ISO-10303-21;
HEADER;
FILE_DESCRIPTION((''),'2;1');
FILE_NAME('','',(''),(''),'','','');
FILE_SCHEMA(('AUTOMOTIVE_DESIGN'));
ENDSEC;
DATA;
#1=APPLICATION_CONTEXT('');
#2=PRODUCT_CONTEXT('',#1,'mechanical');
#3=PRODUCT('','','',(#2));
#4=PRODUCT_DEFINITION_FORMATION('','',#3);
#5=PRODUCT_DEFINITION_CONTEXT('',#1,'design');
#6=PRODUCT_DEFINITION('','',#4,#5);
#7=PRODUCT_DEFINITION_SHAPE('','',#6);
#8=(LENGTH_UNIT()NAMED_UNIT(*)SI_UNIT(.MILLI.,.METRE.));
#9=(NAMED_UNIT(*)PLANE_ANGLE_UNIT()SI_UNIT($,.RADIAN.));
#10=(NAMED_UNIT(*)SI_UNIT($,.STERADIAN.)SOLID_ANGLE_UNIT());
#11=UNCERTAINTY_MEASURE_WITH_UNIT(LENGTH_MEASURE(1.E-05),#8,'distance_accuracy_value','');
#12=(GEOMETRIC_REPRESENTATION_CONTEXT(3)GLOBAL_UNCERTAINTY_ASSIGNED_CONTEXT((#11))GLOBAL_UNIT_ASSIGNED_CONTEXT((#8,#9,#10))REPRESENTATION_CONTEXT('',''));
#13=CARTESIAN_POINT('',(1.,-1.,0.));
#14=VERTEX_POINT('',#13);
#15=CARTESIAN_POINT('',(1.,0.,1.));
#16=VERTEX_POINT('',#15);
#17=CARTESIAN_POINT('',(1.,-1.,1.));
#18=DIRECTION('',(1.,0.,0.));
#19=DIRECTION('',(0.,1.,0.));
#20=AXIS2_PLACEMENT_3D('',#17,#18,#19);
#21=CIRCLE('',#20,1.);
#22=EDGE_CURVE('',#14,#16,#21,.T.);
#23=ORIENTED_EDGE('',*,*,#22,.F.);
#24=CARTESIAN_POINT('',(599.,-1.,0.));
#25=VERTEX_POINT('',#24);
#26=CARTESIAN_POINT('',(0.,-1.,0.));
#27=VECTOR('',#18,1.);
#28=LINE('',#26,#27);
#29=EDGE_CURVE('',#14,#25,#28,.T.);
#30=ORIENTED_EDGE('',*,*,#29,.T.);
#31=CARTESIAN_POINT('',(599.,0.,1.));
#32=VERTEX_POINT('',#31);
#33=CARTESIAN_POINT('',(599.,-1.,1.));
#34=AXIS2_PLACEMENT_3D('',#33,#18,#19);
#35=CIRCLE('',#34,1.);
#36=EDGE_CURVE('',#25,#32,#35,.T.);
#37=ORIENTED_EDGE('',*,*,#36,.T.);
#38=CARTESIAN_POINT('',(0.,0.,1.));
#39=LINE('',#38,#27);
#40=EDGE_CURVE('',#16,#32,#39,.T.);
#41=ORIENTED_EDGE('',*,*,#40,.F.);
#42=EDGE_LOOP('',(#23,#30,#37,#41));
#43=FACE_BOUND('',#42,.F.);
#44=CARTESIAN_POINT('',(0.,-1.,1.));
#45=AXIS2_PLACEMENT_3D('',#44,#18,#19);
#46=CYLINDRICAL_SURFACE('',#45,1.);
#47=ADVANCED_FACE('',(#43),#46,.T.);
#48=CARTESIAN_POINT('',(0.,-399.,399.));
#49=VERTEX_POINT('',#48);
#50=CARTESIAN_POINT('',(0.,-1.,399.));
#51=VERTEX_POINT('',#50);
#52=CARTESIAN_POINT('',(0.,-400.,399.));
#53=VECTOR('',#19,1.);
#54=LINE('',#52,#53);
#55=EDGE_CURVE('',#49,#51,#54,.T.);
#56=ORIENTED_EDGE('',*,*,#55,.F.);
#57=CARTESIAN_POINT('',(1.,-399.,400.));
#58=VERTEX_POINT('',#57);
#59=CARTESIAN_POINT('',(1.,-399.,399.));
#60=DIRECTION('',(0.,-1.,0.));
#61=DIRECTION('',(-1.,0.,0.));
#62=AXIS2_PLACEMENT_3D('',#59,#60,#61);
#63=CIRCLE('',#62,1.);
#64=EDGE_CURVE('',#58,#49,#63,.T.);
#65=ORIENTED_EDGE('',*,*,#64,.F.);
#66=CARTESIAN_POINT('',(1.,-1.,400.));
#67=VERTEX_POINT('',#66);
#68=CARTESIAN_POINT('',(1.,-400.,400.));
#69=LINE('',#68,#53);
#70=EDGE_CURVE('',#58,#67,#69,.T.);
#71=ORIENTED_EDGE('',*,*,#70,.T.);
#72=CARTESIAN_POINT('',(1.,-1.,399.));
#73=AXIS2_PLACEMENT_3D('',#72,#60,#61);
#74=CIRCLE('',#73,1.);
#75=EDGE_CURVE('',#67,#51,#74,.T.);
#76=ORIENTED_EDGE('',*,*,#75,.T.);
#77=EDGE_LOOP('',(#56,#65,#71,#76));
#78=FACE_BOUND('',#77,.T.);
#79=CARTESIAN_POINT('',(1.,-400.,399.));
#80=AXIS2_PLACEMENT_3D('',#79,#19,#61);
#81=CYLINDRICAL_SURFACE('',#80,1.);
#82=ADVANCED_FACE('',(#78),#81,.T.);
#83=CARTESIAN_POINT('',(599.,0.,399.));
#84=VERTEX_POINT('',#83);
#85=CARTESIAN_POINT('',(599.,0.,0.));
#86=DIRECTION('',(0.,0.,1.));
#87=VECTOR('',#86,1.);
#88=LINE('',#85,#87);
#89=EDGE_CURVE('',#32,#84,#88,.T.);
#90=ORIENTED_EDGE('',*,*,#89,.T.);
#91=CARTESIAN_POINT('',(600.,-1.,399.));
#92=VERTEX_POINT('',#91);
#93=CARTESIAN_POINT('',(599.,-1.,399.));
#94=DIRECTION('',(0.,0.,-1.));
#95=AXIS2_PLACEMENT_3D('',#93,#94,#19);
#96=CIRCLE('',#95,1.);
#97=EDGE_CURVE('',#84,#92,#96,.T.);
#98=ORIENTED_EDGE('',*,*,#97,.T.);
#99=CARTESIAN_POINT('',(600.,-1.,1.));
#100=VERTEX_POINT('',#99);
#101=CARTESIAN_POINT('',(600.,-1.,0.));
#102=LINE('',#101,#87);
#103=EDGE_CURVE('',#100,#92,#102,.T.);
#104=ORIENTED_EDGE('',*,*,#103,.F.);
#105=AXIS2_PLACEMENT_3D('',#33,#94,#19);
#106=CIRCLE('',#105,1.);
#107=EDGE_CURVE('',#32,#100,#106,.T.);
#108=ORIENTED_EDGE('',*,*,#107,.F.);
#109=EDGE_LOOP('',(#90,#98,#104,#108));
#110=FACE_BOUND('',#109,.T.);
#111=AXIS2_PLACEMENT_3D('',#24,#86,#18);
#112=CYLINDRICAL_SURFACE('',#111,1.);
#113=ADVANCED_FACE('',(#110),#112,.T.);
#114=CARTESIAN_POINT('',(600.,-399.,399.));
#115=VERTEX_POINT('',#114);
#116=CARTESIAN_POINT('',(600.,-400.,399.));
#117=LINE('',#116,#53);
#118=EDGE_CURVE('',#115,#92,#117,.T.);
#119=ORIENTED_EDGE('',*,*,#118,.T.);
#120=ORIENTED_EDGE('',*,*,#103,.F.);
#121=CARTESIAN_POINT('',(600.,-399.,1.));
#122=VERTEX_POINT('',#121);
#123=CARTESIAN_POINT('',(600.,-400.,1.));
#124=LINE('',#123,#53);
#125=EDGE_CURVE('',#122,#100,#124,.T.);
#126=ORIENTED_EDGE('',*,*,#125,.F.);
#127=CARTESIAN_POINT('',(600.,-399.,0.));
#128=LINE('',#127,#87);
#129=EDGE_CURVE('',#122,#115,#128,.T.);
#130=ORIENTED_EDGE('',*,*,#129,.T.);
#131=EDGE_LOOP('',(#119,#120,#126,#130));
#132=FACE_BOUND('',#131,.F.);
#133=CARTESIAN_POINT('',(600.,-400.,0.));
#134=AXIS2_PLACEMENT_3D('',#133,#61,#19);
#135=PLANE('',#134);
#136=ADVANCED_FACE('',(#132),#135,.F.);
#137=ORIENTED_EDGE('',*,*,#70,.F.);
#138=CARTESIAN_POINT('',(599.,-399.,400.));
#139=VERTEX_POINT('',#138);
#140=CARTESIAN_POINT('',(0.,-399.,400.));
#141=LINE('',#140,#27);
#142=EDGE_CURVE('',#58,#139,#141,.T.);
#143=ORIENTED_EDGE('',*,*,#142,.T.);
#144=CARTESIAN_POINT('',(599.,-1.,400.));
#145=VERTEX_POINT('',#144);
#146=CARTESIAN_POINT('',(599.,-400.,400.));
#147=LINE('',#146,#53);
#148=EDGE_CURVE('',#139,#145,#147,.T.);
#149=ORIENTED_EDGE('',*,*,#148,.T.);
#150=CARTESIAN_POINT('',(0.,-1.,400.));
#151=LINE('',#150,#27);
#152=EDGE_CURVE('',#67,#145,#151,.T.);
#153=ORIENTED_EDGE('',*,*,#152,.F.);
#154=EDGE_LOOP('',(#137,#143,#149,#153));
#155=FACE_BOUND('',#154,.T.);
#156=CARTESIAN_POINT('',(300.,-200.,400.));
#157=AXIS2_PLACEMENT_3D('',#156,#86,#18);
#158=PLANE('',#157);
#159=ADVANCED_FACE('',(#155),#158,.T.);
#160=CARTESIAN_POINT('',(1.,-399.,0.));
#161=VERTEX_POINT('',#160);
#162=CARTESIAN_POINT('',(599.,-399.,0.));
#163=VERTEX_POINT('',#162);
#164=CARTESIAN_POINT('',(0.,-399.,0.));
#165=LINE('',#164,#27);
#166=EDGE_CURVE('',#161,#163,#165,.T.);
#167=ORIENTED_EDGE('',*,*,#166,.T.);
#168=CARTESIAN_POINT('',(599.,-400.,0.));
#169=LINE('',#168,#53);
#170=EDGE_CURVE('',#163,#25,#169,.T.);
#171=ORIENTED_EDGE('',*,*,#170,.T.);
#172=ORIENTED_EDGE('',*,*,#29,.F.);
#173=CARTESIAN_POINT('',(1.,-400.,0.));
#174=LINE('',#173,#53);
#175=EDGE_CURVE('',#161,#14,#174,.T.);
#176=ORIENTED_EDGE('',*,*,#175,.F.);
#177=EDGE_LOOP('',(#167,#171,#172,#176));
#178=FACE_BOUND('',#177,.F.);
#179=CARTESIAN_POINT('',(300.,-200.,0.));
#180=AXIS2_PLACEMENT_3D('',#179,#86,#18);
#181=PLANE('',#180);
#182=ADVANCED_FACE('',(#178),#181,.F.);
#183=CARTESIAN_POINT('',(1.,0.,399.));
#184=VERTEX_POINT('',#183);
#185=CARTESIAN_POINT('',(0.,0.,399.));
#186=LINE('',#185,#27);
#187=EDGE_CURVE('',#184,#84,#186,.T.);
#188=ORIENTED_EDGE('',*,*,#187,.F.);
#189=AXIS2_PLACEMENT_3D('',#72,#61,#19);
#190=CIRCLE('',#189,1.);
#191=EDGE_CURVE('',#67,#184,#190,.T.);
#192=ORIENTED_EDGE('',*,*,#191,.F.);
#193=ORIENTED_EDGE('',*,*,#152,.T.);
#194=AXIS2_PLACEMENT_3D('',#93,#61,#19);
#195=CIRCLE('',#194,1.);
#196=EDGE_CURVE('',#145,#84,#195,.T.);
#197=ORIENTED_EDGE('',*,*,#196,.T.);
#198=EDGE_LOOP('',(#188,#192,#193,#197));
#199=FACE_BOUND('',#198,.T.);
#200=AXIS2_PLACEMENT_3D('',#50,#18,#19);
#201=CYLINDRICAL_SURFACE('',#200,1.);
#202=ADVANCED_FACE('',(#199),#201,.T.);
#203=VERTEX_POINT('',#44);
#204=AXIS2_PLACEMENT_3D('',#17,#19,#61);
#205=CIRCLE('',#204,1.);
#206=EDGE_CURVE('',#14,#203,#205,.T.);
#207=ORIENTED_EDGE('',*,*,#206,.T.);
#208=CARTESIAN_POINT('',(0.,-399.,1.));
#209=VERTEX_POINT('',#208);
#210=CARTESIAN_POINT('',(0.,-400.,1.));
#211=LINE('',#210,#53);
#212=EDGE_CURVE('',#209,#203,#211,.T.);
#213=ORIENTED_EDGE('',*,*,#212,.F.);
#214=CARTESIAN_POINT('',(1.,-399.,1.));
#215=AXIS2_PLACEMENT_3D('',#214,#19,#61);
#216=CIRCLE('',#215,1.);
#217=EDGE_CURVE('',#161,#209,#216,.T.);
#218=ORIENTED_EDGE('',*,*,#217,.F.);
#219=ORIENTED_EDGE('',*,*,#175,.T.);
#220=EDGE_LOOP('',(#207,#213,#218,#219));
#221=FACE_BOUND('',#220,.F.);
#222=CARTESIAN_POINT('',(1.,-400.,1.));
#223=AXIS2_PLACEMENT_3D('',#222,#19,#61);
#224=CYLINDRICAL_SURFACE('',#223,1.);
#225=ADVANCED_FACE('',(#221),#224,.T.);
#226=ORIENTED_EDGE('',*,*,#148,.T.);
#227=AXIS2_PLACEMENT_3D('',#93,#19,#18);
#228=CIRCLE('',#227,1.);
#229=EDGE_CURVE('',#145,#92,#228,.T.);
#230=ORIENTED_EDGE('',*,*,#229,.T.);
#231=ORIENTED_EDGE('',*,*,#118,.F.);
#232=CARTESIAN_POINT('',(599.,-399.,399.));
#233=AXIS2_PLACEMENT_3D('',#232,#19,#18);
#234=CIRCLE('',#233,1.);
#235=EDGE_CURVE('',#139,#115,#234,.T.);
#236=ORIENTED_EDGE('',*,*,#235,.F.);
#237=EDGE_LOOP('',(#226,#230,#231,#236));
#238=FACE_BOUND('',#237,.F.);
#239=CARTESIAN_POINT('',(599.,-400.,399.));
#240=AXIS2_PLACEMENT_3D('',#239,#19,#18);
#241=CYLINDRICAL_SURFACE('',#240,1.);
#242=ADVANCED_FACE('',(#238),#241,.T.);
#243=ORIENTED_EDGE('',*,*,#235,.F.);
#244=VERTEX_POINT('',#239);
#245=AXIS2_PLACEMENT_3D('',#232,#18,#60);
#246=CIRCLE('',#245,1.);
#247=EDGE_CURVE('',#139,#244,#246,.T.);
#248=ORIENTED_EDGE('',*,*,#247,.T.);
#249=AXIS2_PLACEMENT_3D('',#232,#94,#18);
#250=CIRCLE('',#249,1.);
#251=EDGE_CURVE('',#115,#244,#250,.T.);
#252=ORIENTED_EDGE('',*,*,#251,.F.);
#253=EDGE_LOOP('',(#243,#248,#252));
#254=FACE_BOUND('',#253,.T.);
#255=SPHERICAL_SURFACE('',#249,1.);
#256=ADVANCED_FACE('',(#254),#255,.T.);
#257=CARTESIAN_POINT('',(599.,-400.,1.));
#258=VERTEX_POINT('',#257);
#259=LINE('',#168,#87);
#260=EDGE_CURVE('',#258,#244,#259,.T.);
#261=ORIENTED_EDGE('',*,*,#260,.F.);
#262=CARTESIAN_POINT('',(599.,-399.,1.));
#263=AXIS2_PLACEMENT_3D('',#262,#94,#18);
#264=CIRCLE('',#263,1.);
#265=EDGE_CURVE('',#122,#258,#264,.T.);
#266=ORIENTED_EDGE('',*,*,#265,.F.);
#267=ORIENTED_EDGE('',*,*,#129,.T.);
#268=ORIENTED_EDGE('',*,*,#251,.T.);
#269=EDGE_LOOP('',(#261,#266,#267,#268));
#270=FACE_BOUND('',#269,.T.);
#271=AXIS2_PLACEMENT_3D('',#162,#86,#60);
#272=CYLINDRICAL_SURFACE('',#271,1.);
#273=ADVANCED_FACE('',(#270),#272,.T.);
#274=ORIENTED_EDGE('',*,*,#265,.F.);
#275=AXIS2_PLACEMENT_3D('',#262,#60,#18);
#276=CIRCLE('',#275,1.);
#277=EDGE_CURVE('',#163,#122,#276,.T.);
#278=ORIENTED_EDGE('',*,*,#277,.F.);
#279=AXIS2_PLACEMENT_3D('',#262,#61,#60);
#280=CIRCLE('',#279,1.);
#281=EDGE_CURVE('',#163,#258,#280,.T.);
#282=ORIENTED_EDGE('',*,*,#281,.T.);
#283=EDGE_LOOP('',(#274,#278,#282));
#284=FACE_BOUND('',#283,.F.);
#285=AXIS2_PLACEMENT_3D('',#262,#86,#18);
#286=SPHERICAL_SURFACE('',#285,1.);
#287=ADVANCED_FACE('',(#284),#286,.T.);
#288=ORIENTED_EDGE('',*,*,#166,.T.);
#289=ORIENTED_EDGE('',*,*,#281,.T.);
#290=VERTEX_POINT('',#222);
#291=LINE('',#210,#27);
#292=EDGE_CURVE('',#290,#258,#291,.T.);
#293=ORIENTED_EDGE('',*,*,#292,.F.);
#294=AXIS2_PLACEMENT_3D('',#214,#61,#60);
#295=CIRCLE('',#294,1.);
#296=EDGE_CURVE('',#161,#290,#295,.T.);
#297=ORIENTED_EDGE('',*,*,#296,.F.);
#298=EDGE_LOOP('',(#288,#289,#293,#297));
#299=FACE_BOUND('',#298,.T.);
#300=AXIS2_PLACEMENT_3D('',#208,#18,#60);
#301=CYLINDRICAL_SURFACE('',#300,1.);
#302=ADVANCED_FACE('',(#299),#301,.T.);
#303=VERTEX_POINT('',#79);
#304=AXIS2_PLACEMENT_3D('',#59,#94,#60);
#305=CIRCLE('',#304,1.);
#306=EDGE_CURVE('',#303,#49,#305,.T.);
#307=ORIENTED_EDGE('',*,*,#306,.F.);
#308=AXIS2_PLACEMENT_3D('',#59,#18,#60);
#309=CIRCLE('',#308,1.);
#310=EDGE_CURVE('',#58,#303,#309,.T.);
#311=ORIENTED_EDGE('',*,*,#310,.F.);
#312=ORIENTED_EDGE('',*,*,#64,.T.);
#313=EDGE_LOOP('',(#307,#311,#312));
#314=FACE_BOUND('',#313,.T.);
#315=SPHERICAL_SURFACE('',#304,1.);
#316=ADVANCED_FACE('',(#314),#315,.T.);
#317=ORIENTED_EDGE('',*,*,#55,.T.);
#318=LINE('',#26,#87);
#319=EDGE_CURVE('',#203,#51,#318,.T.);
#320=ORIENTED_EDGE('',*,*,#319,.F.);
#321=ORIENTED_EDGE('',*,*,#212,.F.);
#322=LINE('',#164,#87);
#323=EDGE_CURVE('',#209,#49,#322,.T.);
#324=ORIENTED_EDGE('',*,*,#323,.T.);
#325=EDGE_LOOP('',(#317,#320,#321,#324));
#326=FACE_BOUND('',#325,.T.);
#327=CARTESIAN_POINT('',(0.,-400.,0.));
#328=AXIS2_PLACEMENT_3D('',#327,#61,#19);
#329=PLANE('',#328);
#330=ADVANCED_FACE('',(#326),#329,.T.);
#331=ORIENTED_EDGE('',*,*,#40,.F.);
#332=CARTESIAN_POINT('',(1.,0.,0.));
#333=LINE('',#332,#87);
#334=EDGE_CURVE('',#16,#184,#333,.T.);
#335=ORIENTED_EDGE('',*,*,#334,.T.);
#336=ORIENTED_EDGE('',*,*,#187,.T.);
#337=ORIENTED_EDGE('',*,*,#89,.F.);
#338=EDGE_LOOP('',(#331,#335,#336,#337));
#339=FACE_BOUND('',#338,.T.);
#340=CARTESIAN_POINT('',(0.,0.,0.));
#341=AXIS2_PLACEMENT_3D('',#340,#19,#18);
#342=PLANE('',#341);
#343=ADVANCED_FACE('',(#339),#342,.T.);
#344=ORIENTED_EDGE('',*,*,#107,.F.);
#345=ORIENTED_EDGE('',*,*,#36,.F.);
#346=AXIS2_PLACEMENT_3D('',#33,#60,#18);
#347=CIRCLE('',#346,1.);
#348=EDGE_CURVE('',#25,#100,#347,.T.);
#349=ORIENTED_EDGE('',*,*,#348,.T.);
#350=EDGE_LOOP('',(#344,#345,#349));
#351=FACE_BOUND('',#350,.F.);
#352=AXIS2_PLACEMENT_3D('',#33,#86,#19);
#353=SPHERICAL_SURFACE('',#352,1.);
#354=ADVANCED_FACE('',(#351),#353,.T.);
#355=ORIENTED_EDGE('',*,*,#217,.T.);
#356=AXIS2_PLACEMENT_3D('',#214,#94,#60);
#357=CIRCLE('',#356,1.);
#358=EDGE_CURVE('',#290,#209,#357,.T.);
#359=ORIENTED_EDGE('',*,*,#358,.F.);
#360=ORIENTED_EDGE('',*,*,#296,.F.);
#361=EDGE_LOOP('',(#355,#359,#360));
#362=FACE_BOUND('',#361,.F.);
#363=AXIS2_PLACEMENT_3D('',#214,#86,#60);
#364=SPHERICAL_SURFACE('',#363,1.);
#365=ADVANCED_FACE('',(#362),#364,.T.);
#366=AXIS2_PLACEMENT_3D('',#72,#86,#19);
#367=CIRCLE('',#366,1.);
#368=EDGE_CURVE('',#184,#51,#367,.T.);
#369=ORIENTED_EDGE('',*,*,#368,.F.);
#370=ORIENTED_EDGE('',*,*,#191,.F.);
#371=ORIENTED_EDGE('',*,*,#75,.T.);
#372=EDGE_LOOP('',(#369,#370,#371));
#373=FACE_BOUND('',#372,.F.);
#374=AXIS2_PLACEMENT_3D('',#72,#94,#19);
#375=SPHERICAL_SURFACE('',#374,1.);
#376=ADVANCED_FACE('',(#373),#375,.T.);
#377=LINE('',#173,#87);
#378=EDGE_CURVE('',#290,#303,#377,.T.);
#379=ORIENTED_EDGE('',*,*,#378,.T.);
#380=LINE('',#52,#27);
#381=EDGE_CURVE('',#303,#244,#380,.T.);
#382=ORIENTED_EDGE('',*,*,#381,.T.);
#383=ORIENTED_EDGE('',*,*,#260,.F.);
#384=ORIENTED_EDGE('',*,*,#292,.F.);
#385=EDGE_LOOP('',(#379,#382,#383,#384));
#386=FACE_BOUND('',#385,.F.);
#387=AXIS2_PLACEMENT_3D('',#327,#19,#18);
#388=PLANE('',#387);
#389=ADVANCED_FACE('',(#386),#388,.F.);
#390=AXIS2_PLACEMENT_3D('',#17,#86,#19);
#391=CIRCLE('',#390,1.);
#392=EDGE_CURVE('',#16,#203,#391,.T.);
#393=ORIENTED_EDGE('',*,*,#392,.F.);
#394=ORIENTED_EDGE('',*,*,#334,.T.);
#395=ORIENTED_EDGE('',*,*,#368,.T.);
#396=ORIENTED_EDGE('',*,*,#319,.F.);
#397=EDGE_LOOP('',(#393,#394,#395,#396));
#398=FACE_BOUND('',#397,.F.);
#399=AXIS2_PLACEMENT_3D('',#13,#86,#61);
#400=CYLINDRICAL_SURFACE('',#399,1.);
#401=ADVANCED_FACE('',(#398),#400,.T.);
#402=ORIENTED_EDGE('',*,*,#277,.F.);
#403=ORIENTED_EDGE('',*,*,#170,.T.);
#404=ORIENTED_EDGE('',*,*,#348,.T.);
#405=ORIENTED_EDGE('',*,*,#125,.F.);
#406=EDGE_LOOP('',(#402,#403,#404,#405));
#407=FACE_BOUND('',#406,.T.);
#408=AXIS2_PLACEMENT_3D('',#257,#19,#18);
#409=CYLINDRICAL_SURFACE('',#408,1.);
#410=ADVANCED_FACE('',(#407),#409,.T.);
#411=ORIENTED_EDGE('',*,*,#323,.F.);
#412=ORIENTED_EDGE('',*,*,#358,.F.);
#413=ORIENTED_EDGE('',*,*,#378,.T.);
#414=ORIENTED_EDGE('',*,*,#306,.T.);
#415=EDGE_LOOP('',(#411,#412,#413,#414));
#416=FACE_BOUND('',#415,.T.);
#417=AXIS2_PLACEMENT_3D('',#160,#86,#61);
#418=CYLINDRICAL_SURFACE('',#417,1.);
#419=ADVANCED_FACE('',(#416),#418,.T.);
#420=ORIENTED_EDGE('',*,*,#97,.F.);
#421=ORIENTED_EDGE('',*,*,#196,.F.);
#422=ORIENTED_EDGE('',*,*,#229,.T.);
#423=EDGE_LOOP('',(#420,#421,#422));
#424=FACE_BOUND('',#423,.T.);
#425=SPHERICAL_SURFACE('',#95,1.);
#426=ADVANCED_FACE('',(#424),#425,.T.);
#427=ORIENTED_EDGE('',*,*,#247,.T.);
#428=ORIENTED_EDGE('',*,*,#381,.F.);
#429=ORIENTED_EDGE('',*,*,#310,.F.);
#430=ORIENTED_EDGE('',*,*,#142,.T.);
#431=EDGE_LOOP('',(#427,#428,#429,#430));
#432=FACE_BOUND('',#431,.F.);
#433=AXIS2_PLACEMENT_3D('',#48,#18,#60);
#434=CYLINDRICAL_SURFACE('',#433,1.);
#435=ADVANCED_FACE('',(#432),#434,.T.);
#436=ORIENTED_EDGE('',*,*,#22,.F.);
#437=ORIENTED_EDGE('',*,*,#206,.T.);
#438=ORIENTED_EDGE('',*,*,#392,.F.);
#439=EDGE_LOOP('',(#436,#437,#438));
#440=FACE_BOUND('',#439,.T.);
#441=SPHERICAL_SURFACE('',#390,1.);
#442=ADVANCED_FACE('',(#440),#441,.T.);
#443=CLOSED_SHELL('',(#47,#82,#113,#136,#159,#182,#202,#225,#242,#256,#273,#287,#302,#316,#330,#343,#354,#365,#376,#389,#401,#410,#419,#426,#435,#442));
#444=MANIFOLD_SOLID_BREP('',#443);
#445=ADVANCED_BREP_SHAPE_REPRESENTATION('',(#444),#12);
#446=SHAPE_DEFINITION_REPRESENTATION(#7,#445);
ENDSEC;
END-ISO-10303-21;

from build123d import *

# Parameters (mm, degrees)
SKETCH_W  = 600
SKETCH_H  = 400
PAD_DEPTH = 400
FILLET_R  = 1


with BuildPart() as part:
    # Sketch → Pad (new body)
    with BuildSketch(Plane.XY):
        with Locations((300, -200)):
            Rectangle(SKETCH_W, SKETCH_H)
    extrude(amount=PAD_DEPTH)

    # Fillet
    fillet_edges = [part.edges().sort_by_distance(p)[0] for p in [
        (0, 0, 200),
        (600, 0, 200),
        (300, 0, 0),
        (300, 0, 400),
        (600, -400, 200),
        (600, -200, 0),
        (600, -200, 400),
        (0, -400, 200),
        (300, -400, 0),
        (300, -400, 400),
        (0, -200, 0),
        (0, -200, 400),
    ]]
    fillet(fillet_edges, radius=FILLET_R)


solid = part.part
